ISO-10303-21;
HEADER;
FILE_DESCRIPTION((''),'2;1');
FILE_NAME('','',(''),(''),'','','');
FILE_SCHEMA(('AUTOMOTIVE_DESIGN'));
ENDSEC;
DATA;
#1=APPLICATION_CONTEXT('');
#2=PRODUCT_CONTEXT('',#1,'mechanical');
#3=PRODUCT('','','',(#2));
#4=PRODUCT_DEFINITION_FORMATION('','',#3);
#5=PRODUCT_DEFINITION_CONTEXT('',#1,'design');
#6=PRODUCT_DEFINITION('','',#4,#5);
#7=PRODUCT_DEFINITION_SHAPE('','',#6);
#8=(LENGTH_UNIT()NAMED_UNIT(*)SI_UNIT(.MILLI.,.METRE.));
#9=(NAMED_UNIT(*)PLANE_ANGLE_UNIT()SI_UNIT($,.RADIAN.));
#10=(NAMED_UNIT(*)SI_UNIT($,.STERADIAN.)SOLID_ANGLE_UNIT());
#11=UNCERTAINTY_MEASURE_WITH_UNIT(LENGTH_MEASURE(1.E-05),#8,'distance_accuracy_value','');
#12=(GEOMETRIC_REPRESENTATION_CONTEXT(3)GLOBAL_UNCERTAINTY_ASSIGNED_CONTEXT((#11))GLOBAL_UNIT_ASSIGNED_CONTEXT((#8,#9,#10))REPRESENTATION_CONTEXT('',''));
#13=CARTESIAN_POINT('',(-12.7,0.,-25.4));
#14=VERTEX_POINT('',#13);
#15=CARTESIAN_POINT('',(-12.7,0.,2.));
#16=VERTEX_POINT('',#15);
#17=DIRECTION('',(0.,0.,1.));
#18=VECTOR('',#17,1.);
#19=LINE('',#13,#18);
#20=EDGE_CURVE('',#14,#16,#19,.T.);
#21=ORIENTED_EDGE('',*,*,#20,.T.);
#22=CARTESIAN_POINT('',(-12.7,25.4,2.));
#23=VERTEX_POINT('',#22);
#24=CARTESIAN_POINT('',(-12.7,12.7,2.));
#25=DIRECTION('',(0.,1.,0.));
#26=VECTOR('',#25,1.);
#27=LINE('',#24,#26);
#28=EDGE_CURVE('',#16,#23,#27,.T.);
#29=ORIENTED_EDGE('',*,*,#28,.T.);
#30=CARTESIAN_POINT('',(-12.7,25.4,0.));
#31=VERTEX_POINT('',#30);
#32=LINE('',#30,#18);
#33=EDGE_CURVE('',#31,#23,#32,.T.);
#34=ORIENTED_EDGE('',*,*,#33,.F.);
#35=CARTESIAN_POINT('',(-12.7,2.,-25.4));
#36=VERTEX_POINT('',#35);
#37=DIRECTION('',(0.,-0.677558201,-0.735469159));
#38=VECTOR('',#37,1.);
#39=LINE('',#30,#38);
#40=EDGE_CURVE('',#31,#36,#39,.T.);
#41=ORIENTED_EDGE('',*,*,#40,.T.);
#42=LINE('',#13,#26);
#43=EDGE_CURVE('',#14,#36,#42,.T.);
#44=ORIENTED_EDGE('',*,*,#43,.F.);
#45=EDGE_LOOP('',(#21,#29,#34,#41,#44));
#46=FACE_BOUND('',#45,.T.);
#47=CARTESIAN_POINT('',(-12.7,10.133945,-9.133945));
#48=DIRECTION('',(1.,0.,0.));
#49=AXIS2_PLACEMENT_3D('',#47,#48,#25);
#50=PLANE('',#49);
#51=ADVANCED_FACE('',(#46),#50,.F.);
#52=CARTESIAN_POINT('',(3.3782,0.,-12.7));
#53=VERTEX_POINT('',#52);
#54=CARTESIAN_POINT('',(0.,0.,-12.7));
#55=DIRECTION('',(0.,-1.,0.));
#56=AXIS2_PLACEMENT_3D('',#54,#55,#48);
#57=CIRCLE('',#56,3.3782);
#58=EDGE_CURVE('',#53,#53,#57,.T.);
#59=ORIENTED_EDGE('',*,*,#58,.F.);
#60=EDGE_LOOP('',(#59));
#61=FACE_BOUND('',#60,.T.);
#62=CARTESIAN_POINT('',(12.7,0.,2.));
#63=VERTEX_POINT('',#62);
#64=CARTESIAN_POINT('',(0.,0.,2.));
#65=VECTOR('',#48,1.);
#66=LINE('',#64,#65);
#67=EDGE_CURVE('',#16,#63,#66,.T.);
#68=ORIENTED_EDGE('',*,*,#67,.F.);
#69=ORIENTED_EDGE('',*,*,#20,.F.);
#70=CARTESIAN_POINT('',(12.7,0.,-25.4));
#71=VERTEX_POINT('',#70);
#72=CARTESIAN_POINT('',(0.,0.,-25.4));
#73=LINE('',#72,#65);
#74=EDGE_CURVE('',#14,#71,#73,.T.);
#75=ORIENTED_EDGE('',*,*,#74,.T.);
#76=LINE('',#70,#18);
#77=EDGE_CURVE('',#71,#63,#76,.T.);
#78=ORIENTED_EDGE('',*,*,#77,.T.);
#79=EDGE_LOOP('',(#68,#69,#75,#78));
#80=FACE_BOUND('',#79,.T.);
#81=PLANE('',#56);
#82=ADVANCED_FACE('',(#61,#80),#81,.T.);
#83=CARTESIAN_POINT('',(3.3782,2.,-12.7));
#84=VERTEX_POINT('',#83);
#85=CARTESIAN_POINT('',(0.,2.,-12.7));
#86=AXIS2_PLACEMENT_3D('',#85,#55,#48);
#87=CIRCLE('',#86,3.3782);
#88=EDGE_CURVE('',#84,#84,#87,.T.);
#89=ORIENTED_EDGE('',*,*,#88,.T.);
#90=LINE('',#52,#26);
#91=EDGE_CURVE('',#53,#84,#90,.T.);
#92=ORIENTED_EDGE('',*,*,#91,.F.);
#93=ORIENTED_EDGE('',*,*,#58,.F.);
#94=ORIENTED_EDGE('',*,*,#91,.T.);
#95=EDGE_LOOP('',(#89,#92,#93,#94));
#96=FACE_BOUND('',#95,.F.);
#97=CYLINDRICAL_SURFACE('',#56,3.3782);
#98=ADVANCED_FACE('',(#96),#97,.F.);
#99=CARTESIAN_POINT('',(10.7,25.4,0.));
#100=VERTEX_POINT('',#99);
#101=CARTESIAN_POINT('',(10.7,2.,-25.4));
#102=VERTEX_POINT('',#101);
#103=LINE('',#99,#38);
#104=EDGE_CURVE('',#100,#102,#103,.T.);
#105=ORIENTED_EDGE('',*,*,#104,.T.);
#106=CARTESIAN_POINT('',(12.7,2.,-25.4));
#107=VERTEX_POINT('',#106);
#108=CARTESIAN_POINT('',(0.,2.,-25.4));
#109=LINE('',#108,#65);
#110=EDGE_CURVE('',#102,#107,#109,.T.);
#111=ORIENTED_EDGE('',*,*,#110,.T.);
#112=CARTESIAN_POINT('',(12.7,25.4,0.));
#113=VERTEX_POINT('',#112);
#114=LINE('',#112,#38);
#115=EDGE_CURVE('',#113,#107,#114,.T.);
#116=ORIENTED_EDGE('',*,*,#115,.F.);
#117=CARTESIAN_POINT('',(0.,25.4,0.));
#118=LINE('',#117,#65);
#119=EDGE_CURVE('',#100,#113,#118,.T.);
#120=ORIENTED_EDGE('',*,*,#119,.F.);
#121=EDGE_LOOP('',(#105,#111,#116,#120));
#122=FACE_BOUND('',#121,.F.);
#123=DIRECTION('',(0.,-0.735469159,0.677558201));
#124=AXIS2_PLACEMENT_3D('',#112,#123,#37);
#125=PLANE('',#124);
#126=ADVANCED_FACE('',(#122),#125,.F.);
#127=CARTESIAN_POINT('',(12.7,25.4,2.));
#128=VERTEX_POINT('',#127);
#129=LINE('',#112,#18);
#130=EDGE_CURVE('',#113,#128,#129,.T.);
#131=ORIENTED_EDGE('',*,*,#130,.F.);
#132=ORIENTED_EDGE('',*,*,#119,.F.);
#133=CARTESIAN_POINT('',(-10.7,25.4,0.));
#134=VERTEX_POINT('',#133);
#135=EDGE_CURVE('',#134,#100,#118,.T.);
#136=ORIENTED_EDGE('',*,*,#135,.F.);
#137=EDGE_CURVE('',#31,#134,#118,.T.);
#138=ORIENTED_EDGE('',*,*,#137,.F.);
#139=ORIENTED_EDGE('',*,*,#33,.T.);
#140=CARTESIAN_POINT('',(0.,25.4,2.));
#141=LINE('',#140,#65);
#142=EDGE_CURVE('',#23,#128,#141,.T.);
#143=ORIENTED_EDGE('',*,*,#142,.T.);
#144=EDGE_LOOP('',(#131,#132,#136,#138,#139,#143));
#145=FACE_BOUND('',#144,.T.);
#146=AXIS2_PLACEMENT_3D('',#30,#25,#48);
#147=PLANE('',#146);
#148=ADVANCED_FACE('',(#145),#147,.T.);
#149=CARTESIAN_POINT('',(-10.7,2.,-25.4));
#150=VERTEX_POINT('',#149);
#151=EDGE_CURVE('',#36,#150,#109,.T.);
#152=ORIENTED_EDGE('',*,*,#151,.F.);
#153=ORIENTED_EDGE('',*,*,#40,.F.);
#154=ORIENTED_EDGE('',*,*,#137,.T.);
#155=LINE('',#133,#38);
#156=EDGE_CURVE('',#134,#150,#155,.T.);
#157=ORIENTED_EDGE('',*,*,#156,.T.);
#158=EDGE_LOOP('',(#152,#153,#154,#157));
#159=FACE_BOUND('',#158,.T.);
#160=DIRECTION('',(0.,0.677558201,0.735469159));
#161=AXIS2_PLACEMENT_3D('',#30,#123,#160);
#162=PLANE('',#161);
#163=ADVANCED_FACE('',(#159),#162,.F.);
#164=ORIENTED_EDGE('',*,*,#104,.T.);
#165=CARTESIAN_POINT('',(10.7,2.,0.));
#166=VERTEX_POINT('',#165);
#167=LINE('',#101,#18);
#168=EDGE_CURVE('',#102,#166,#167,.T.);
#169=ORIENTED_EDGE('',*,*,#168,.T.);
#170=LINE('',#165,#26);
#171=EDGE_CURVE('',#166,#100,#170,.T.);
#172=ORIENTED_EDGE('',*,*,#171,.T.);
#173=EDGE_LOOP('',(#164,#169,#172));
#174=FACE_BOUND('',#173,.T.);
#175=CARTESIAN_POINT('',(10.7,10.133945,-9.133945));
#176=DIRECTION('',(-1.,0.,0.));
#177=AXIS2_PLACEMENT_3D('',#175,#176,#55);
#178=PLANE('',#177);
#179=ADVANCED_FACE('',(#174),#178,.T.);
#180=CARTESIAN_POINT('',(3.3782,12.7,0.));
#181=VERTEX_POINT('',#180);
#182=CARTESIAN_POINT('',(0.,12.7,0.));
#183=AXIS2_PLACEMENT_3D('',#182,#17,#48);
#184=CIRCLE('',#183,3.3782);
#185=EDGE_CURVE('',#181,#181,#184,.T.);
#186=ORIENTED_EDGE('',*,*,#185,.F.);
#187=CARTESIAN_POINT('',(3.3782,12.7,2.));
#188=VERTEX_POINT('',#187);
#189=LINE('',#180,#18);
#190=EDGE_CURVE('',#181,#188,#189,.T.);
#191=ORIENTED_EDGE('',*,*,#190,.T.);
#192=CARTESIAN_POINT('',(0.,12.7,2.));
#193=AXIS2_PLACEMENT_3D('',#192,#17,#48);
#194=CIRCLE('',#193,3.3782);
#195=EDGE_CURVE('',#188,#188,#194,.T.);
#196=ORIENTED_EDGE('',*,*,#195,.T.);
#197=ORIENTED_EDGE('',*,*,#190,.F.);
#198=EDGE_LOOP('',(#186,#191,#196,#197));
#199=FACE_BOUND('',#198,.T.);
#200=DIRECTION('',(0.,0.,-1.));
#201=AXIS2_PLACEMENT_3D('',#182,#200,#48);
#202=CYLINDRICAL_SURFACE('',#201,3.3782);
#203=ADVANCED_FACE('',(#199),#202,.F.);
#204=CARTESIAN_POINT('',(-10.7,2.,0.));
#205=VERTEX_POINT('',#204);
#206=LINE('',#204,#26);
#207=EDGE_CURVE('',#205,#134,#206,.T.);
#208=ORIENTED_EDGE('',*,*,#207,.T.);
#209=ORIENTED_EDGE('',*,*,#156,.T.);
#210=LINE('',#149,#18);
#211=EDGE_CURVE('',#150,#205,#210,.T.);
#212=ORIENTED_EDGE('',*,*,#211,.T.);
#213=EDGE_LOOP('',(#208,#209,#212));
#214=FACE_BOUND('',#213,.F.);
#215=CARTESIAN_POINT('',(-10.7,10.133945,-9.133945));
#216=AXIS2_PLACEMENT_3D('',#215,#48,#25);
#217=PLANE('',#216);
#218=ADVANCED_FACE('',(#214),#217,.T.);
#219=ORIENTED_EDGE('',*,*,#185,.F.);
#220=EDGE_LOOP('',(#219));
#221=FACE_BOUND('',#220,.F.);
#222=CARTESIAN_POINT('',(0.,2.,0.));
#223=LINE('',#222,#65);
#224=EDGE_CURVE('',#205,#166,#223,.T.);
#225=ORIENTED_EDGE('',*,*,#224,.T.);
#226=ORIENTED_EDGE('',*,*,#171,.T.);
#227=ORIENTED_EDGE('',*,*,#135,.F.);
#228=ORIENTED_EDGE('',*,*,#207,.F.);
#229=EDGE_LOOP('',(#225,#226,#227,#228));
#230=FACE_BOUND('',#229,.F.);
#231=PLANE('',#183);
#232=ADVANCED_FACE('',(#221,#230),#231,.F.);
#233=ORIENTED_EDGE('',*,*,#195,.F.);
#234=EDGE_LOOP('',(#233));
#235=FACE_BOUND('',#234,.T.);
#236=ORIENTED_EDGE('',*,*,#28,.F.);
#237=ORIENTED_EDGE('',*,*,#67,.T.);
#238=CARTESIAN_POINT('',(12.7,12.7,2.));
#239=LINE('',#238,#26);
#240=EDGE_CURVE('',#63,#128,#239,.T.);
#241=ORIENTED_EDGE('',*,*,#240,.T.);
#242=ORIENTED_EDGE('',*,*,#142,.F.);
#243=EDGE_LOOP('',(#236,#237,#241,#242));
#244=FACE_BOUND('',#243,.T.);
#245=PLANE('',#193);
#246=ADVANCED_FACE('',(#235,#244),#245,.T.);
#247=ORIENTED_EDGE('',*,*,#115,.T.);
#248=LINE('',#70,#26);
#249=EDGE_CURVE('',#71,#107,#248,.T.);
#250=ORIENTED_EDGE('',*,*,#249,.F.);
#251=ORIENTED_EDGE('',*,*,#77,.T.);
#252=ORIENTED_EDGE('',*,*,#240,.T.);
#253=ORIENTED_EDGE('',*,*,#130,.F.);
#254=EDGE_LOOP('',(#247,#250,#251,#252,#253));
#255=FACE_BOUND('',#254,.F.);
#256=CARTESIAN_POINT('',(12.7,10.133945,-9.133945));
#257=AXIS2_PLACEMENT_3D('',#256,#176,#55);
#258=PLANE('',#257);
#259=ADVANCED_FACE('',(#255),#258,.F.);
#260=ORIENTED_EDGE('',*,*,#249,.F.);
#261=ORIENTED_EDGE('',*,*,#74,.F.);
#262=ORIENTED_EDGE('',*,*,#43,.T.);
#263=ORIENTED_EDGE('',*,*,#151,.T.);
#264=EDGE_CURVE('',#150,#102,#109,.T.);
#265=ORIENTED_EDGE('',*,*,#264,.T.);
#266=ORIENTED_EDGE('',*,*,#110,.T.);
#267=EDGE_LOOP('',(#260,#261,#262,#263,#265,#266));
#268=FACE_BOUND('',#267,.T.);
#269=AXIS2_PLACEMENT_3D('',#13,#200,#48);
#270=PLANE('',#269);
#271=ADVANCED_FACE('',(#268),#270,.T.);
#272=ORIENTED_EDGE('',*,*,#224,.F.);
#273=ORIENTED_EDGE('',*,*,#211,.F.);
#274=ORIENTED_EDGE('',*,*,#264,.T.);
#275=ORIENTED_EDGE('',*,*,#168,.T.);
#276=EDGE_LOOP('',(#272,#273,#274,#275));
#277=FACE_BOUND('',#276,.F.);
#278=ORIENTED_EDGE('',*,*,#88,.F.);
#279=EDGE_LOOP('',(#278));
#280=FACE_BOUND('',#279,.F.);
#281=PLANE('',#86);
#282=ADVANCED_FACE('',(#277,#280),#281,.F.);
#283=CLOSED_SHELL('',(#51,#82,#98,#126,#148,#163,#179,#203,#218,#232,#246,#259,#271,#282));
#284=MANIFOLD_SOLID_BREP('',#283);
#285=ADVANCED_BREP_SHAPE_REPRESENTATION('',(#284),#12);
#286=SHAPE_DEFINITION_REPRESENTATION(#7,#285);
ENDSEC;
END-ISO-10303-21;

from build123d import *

# Parameters (mm, degrees)
SKETCH_W     = 25.4
SKETCH_H     = 25.4
SKETCH_R     = 3.3782
PAD_DEPTH    = 2
SKETCH001_W  = 25.4
SKETCH001_H  = 25.4
SKETCH001_R  = 3.3782
PAD001_DEPTH = 2
PAD002_DEPTH = 2


with BuildPart() as part:
    # Sketch → Pad (new body)
    with BuildSketch(Plane.XY):
        with Locations((0, 12.7)):
            Rectangle(SKETCH_W, SKETCH_H)
        with Locations((0, 12.7)):
            Circle(SKETCH_R, mode=Mode.SUBTRACT)
    extrude(amount=PAD_DEPTH)

    # Sketch001 → Pad001 (join)
    with BuildSketch(Plane.XZ):
        with Locations((0, -12.7)):
            Rectangle(SKETCH001_W, SKETCH001_H)
        with Locations((0, -12.7)):
            Circle(SKETCH001_R, mode=Mode.SUBTRACT)
    extrude(amount=-PAD001_DEPTH)

    # Sketch002 (on Face9 of Pad001) → Pad002 (join)
    with BuildSketch(Plane.YZ.offset(12.7)):
        Polygon((2, -25.4), (2, 0), (25.4, 0), align=None)
    pad002 = extrude(amount=-PAD002_DEPTH)

    # Mirrored: Pad002 across YZ
    add(pad002.mirror(Plane.YZ))


solid = part.part
